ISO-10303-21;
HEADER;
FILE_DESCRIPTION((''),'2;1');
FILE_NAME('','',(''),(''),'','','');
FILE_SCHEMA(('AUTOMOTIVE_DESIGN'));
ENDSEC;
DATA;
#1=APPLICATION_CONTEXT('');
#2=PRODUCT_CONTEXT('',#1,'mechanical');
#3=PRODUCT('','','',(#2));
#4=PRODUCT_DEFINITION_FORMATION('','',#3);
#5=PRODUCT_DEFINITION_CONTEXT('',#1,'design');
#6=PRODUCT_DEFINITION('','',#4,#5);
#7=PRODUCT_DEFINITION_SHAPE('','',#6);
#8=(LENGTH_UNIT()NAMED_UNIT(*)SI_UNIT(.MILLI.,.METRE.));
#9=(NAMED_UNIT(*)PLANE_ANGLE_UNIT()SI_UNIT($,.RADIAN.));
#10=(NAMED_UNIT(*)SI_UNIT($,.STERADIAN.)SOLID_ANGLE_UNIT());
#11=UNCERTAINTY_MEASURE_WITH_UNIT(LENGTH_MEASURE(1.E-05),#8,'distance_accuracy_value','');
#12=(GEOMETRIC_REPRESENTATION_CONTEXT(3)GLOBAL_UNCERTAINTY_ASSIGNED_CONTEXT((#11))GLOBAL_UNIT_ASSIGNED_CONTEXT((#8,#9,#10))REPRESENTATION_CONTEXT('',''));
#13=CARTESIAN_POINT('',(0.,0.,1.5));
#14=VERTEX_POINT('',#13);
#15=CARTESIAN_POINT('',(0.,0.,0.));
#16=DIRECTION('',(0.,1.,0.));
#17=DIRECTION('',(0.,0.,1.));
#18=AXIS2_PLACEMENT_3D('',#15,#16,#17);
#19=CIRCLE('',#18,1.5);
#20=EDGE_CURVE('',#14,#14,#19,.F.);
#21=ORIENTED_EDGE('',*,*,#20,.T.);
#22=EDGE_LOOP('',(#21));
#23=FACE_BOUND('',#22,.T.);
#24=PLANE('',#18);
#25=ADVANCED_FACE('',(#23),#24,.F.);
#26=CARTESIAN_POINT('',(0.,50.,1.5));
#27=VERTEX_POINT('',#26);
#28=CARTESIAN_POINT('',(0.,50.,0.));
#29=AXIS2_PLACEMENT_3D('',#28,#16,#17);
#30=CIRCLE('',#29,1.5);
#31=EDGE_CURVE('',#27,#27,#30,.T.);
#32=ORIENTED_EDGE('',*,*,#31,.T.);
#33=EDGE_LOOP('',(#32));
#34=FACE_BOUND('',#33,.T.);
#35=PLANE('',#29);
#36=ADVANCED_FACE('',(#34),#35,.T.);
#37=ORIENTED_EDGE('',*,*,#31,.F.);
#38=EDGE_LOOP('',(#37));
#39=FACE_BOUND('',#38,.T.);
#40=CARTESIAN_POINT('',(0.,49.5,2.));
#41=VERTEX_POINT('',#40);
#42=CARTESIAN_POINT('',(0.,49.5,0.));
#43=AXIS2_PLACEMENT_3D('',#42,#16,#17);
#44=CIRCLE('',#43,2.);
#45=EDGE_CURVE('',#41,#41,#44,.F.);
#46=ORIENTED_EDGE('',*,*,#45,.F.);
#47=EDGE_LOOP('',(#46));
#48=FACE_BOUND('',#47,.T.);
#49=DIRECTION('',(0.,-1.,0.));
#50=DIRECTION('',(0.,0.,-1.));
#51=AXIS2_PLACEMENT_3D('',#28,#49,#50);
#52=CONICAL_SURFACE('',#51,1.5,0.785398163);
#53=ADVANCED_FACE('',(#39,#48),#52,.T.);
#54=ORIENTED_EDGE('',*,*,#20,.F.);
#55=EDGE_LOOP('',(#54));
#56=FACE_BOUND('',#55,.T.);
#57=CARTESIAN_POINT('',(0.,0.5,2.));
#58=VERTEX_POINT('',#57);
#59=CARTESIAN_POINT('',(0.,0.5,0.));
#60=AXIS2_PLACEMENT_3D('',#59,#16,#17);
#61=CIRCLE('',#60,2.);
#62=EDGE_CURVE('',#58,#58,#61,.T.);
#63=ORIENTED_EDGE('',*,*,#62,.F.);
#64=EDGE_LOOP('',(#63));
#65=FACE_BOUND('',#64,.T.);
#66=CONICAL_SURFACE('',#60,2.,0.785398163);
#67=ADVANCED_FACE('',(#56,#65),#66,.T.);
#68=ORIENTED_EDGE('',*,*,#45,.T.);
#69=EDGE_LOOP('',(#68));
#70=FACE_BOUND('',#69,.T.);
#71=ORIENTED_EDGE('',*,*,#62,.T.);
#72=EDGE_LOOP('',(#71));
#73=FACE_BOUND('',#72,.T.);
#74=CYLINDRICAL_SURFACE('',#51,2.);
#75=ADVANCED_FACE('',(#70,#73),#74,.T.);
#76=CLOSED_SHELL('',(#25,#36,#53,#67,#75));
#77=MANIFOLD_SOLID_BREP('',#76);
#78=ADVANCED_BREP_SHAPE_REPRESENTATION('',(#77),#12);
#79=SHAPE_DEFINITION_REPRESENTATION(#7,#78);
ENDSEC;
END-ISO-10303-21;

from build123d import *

# Parameters (mm, degrees)
SKETCH1_R           = 2
BOSS_EXTRUDE1_DEPTH = 50
CHAMFER1_SIZE       = 0.5


with BuildPart() as part:
    # Sketch1 → Boss-Extrude1 (new body)
    with BuildSketch(Plane(origin=(0, 0, 0), x_dir=(1, 0, 0), z_dir=(0, 1, 0))):
        Circle(SKETCH1_R)
    extrude(amount=BOSS_EXTRUDE1_DEPTH)

    # Chamfer1
    chamfer1_edges = [part.edges().sort_by_distance(p)[0] for p in [
        (-2, 0, 0),
        (-2, 50, 0),
    ]]
    chamfer(chamfer1_edges, length=CHAMFER1_SIZE)


solid = part.part
